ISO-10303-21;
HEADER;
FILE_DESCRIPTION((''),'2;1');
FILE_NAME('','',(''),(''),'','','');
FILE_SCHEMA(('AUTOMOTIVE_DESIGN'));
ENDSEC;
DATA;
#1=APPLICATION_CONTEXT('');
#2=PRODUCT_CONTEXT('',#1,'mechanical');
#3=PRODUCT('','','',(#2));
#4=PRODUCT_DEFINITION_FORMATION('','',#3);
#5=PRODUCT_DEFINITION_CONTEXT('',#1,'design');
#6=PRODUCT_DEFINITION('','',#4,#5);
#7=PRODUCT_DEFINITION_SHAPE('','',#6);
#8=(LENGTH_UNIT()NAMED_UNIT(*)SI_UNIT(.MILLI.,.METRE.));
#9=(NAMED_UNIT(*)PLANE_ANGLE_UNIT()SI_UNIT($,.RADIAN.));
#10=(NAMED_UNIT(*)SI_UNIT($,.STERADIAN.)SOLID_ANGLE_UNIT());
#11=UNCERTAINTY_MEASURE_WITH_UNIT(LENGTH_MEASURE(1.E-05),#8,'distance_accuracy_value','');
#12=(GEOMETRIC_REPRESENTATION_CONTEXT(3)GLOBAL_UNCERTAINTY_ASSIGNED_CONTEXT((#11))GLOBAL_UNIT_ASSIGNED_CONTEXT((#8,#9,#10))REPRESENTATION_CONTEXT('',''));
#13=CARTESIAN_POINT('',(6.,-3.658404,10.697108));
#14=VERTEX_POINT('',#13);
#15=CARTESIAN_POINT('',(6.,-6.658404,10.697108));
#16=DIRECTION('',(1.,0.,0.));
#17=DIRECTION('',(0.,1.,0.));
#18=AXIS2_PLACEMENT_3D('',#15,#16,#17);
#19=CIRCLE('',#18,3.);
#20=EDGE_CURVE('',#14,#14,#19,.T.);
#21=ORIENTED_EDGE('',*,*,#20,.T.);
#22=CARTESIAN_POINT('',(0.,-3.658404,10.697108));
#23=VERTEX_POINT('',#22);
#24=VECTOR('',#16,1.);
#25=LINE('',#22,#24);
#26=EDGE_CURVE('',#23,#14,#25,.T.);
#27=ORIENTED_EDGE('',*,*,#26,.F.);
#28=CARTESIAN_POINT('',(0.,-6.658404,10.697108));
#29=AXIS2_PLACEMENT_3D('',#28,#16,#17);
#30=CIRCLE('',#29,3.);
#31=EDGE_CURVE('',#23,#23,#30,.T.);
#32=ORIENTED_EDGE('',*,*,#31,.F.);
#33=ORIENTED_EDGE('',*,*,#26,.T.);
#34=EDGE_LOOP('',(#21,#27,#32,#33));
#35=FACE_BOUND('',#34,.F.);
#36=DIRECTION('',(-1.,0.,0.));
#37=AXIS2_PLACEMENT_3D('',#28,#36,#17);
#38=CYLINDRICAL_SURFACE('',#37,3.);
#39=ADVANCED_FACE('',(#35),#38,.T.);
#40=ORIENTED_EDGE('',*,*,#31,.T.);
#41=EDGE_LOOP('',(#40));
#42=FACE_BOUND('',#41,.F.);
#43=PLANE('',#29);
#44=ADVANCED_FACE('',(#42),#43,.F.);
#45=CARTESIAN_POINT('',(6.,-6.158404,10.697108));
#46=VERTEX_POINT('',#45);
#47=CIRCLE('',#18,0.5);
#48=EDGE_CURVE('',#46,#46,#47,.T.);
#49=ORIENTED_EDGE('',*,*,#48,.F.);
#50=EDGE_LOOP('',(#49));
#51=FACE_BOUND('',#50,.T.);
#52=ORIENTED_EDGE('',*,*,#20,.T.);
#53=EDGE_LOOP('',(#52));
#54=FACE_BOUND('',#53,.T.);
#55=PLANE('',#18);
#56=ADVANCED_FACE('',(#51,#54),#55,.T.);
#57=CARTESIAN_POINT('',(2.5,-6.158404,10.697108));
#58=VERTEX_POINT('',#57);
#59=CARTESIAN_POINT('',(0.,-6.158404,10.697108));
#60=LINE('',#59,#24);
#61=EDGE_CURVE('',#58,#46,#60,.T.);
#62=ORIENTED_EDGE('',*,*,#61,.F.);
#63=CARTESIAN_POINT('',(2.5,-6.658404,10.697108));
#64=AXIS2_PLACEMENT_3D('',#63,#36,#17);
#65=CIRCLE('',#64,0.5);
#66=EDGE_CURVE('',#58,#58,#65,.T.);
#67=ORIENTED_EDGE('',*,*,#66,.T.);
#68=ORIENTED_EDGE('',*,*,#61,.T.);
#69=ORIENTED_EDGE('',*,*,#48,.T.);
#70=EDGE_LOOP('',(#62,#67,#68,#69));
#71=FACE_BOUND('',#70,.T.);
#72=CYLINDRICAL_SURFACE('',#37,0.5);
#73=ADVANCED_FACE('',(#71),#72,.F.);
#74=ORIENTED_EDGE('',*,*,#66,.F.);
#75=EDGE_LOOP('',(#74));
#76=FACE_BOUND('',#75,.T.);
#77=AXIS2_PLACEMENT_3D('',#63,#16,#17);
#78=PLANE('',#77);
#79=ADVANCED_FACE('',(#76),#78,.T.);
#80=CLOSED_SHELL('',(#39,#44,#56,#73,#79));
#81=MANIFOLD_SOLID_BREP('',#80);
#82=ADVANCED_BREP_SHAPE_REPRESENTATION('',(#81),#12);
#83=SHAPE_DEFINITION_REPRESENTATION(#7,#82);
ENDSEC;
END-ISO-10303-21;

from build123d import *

# Parameters (mm, degrees)
F0_R     = 3
F1_DEPTH = 6
F2_T     = -2.5


with BuildPart() as f1:
    # F0 (on Right) → F1 (new body)
    with BuildSketch(Plane.YZ):
        with Locations((-6.658404, 10.697108)):
            Circle(F0_R)
    extrude(amount=F1_DEPTH)

    # F2
    f2_openings = [f1.faces().sort_by_distance(p)[0] for p in [
        (6, -6.658404, 10.697108),
    ]]
    offset(amount=F2_T, openings=f2_openings)


solid = f1.part
